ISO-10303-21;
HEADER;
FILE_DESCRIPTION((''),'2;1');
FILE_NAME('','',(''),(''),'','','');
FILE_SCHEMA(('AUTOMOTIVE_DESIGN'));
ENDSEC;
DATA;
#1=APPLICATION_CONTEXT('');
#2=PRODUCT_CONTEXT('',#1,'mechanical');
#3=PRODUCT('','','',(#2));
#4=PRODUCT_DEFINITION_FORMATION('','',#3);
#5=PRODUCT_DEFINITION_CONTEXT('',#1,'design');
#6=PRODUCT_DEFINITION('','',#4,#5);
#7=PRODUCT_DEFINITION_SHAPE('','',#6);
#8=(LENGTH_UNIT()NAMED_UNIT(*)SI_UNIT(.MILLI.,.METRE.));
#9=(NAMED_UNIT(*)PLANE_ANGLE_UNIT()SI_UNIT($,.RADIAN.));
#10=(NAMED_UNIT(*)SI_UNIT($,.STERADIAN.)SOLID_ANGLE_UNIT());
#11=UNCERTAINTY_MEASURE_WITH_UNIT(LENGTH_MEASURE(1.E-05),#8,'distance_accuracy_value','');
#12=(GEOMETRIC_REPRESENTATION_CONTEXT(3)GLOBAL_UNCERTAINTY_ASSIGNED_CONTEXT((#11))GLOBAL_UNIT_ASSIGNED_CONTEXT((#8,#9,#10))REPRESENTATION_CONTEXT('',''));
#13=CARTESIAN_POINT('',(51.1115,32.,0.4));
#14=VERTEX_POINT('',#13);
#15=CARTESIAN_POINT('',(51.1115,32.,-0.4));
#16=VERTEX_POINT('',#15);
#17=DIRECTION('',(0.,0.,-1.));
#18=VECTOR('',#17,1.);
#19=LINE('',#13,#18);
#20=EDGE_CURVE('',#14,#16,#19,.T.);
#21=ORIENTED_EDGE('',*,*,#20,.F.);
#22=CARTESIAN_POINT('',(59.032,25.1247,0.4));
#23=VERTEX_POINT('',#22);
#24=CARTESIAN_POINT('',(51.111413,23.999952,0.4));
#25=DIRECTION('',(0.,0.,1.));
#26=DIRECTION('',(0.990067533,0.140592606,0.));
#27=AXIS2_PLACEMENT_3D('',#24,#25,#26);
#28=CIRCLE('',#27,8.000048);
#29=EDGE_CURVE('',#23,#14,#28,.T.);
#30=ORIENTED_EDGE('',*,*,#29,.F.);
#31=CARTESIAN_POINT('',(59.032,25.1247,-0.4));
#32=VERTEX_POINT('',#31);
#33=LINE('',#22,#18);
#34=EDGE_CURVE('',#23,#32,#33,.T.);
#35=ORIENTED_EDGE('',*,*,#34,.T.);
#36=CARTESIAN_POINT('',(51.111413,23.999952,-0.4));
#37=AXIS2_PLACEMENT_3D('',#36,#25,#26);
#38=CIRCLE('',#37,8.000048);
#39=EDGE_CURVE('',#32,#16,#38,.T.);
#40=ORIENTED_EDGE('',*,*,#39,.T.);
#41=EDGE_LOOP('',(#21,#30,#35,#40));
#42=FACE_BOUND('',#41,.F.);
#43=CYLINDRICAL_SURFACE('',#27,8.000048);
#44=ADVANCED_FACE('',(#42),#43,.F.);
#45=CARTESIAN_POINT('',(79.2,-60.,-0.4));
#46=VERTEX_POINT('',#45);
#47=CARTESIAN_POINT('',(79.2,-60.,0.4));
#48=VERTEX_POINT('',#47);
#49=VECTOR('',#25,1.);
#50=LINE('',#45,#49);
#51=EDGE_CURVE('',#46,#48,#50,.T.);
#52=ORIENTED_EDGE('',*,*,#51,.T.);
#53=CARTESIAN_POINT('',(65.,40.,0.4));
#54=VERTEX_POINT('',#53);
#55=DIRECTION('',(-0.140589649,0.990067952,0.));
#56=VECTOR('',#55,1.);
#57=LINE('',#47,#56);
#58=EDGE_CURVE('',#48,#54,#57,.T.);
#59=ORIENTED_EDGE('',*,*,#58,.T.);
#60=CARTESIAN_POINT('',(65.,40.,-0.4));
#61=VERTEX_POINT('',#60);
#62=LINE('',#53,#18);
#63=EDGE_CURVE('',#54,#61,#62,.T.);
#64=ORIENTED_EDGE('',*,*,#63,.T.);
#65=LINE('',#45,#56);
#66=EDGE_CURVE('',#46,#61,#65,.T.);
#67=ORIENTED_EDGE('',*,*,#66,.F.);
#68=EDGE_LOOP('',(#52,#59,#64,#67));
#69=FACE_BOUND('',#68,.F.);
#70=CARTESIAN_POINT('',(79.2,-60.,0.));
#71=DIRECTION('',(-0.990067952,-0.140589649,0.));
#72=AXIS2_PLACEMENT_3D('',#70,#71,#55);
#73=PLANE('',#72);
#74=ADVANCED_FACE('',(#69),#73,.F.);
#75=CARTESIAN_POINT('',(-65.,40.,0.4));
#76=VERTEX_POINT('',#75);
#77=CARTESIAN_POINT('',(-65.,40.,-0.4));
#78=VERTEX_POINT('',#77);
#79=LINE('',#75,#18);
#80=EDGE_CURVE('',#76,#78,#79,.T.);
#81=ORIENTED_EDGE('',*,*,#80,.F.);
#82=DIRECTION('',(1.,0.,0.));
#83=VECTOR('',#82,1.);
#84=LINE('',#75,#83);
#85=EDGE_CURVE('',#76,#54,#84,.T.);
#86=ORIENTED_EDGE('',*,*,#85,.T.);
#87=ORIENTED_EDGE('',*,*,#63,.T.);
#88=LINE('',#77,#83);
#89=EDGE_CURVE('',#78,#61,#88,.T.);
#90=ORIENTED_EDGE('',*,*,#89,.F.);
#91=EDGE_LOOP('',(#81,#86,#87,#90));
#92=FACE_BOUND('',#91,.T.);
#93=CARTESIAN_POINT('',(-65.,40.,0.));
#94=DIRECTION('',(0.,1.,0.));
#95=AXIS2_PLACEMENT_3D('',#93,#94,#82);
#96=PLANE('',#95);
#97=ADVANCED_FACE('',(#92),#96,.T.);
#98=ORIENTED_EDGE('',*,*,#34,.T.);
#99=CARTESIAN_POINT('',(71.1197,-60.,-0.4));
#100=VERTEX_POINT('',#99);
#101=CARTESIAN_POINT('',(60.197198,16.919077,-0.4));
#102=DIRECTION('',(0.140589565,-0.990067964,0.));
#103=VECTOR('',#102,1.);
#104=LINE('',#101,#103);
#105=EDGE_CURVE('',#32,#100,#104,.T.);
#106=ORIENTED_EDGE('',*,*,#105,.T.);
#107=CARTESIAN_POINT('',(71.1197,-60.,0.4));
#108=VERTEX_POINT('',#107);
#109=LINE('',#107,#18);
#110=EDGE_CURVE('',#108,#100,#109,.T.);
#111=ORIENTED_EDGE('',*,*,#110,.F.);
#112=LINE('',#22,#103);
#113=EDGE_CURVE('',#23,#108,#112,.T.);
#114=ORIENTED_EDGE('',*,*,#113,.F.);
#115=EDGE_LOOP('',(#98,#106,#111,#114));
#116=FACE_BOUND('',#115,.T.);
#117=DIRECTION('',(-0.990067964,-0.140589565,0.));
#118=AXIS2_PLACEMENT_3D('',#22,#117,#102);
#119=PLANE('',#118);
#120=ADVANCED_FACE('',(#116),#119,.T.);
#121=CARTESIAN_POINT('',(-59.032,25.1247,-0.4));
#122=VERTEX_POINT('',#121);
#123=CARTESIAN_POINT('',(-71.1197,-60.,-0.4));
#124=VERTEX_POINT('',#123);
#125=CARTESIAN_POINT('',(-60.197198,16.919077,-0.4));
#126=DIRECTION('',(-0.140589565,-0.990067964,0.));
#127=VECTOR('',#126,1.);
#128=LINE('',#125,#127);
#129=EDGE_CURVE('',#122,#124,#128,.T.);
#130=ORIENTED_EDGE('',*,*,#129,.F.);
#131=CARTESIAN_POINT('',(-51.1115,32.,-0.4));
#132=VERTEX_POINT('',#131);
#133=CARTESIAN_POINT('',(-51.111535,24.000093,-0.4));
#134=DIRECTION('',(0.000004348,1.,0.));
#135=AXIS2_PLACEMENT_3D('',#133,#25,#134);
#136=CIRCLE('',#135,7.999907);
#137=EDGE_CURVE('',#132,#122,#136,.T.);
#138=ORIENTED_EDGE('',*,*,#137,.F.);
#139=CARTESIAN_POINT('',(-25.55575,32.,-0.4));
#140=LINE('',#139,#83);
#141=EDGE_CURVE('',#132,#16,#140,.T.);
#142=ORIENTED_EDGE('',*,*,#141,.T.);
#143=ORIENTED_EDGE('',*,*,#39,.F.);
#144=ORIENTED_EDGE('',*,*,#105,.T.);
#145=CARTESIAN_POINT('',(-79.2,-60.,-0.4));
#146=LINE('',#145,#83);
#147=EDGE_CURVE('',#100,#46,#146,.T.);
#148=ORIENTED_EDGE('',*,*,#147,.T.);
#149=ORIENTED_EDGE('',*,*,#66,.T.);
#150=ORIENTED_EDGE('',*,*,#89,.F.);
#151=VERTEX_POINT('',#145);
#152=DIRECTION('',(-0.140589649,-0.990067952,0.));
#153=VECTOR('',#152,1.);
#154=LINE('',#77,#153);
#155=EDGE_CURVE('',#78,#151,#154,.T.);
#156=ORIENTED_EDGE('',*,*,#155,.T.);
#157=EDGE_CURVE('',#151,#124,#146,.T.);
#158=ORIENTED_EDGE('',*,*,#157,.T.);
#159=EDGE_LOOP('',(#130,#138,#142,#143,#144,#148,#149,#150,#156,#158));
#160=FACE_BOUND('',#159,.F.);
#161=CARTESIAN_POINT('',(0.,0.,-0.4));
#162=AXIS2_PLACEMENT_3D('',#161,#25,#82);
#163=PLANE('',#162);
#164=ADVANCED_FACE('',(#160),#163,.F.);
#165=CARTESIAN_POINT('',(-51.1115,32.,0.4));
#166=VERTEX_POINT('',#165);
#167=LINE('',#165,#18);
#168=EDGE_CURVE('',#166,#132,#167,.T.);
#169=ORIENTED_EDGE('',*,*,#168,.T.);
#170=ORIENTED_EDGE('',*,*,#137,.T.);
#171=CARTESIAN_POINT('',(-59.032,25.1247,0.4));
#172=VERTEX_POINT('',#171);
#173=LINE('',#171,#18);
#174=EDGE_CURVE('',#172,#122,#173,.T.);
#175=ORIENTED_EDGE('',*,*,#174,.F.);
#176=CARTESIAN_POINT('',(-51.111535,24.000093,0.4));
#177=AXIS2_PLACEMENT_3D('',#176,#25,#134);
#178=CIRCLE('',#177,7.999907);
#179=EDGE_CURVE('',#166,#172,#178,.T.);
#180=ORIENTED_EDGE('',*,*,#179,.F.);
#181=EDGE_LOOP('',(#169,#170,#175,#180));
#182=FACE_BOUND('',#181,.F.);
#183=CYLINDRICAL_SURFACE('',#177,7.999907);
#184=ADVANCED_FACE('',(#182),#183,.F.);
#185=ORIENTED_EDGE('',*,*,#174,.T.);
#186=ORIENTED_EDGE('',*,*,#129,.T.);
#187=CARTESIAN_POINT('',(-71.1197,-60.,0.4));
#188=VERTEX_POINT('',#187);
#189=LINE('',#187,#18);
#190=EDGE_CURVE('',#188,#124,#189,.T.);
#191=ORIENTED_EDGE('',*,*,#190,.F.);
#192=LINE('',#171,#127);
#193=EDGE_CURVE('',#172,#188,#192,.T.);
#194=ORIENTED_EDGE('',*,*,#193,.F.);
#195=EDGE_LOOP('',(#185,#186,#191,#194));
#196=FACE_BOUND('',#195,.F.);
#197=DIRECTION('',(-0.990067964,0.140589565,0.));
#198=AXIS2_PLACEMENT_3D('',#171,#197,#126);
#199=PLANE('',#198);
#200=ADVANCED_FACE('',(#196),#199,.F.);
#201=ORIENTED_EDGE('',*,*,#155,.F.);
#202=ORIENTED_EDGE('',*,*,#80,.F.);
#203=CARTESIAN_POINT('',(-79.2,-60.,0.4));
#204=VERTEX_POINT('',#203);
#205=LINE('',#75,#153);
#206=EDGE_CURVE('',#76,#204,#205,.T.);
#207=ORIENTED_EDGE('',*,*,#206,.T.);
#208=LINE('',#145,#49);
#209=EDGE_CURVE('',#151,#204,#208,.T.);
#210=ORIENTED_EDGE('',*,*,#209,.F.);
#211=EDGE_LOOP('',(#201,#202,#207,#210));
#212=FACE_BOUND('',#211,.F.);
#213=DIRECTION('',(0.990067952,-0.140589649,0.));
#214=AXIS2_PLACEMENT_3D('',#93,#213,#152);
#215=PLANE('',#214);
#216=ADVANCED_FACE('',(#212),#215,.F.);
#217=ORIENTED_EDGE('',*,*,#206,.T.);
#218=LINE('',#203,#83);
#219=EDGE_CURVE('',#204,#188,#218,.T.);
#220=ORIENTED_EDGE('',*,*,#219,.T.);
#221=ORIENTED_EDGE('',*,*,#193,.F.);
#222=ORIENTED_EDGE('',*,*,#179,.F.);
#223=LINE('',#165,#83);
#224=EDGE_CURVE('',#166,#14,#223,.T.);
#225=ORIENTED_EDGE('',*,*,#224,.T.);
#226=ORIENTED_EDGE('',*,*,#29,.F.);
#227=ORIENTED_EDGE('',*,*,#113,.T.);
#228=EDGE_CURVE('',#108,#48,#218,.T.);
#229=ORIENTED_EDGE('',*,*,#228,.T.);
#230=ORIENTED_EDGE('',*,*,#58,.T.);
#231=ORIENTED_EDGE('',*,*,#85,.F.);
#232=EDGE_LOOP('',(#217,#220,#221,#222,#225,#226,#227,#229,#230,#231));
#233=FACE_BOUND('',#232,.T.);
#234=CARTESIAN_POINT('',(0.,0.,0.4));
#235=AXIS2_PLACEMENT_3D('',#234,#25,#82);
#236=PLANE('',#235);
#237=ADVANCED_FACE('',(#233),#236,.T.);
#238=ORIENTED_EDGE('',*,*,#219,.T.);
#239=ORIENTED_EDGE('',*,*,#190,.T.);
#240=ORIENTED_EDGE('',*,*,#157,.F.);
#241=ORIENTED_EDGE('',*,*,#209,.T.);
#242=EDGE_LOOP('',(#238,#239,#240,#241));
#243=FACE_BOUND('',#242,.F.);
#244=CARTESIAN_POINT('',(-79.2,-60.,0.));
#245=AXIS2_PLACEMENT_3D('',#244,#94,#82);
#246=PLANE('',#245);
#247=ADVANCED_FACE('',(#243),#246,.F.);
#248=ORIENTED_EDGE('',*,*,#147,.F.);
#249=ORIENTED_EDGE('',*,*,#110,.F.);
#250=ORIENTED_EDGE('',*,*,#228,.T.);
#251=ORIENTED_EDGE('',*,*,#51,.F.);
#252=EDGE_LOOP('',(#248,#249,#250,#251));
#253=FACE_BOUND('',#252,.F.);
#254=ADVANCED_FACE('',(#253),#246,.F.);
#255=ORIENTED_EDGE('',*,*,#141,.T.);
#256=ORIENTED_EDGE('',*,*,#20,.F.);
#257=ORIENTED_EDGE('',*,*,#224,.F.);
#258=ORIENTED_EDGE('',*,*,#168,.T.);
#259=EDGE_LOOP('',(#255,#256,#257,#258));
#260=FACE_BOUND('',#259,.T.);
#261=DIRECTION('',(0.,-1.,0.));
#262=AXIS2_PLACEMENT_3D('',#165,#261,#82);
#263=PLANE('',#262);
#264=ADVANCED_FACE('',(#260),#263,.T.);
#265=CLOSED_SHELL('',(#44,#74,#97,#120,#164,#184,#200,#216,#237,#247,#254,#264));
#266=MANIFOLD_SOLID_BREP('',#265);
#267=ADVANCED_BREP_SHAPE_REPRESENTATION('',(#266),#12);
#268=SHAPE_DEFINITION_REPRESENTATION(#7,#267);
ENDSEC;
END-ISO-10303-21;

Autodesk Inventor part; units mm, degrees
ref_plane "YZ Plane" through (0, 0, 0) normal (1, 0, 0) x (0, 1, 0)
ref_plane "XZ Plane" through (0, 0, 0) normal (0, 1, 0) x (-1, 0, 0)
ref_plane "XY Plane" through (0, 0, 0) normal (0, 0, 1) x (1, 0, 0)
sketch "Sketch1" plane through (0, 0, 0) normal (0, 0, 1) x (1, 0, 0)
  line L0 (0, 60) -> (0, -80) construction
  line L1 (-110.88, 0) -> (110.88, 0) construction
  line L2 (-79.2, -60) -> (79.2, -60)
  line L3 (79.2, -60) -> (65, 40)
  line L4 (-65, 40) -> (65, 40)
  line L5 (-65, 40) -> (-79.2, -60)
  point P0 (0, 0)
  dimension "d0" = 158.4
  dimension "d9" = 130
  dimension "d10" = 60
  dimension "d11" = 100
extrude "Extrusion1" add sketch "Sketch1" along normal mid plane 0.8
sketch "Esquisse2" plane through (0, 0, 0.4) normal (0, 0, 1) x (1, 0, 0)
  line L0 (-79.2, -60) -> (79.2, -60) construction
  line L1 (79.2, -60) -> (65, 40) construction
  line L2 (65, 40) -> (-65, 40) construction
  line L3 (-65, 40) -> (-79.2, -60) construction
  line L4 (0, 60) -> (0, -80) construction
  line L5 (-110.88, 0) -> (110.88, 0) construction
  line L6 (-51.1115, 32) -> (51.1115, 32)
  line L7 (-59.032, 25.1247) -> (-71.1197, -60)
  line L8 (59.032, 25.1247) -> (71.1197, -60)
  arc A0 (-51.1115, 32) -> (-59.032, 25.1247) centre (-51.1115, 24) ccw
  arc A1 (59.032, 25.1247) -> (51.1115, 32) centre (51.1115, 24) ccw
  line L9 (-71.1197, -60) -> (71.1197, -60)
  point P0 (0, 0)
  dimension "d12" = 8
  dimension "d15" = 8
  dimension "d16" = 8
extrude "Extrusion2" cut sketch "Esquisse2" against normal through all
properties part number "Cabine_Vitre_Avant_Haut" material "PVC-U"
